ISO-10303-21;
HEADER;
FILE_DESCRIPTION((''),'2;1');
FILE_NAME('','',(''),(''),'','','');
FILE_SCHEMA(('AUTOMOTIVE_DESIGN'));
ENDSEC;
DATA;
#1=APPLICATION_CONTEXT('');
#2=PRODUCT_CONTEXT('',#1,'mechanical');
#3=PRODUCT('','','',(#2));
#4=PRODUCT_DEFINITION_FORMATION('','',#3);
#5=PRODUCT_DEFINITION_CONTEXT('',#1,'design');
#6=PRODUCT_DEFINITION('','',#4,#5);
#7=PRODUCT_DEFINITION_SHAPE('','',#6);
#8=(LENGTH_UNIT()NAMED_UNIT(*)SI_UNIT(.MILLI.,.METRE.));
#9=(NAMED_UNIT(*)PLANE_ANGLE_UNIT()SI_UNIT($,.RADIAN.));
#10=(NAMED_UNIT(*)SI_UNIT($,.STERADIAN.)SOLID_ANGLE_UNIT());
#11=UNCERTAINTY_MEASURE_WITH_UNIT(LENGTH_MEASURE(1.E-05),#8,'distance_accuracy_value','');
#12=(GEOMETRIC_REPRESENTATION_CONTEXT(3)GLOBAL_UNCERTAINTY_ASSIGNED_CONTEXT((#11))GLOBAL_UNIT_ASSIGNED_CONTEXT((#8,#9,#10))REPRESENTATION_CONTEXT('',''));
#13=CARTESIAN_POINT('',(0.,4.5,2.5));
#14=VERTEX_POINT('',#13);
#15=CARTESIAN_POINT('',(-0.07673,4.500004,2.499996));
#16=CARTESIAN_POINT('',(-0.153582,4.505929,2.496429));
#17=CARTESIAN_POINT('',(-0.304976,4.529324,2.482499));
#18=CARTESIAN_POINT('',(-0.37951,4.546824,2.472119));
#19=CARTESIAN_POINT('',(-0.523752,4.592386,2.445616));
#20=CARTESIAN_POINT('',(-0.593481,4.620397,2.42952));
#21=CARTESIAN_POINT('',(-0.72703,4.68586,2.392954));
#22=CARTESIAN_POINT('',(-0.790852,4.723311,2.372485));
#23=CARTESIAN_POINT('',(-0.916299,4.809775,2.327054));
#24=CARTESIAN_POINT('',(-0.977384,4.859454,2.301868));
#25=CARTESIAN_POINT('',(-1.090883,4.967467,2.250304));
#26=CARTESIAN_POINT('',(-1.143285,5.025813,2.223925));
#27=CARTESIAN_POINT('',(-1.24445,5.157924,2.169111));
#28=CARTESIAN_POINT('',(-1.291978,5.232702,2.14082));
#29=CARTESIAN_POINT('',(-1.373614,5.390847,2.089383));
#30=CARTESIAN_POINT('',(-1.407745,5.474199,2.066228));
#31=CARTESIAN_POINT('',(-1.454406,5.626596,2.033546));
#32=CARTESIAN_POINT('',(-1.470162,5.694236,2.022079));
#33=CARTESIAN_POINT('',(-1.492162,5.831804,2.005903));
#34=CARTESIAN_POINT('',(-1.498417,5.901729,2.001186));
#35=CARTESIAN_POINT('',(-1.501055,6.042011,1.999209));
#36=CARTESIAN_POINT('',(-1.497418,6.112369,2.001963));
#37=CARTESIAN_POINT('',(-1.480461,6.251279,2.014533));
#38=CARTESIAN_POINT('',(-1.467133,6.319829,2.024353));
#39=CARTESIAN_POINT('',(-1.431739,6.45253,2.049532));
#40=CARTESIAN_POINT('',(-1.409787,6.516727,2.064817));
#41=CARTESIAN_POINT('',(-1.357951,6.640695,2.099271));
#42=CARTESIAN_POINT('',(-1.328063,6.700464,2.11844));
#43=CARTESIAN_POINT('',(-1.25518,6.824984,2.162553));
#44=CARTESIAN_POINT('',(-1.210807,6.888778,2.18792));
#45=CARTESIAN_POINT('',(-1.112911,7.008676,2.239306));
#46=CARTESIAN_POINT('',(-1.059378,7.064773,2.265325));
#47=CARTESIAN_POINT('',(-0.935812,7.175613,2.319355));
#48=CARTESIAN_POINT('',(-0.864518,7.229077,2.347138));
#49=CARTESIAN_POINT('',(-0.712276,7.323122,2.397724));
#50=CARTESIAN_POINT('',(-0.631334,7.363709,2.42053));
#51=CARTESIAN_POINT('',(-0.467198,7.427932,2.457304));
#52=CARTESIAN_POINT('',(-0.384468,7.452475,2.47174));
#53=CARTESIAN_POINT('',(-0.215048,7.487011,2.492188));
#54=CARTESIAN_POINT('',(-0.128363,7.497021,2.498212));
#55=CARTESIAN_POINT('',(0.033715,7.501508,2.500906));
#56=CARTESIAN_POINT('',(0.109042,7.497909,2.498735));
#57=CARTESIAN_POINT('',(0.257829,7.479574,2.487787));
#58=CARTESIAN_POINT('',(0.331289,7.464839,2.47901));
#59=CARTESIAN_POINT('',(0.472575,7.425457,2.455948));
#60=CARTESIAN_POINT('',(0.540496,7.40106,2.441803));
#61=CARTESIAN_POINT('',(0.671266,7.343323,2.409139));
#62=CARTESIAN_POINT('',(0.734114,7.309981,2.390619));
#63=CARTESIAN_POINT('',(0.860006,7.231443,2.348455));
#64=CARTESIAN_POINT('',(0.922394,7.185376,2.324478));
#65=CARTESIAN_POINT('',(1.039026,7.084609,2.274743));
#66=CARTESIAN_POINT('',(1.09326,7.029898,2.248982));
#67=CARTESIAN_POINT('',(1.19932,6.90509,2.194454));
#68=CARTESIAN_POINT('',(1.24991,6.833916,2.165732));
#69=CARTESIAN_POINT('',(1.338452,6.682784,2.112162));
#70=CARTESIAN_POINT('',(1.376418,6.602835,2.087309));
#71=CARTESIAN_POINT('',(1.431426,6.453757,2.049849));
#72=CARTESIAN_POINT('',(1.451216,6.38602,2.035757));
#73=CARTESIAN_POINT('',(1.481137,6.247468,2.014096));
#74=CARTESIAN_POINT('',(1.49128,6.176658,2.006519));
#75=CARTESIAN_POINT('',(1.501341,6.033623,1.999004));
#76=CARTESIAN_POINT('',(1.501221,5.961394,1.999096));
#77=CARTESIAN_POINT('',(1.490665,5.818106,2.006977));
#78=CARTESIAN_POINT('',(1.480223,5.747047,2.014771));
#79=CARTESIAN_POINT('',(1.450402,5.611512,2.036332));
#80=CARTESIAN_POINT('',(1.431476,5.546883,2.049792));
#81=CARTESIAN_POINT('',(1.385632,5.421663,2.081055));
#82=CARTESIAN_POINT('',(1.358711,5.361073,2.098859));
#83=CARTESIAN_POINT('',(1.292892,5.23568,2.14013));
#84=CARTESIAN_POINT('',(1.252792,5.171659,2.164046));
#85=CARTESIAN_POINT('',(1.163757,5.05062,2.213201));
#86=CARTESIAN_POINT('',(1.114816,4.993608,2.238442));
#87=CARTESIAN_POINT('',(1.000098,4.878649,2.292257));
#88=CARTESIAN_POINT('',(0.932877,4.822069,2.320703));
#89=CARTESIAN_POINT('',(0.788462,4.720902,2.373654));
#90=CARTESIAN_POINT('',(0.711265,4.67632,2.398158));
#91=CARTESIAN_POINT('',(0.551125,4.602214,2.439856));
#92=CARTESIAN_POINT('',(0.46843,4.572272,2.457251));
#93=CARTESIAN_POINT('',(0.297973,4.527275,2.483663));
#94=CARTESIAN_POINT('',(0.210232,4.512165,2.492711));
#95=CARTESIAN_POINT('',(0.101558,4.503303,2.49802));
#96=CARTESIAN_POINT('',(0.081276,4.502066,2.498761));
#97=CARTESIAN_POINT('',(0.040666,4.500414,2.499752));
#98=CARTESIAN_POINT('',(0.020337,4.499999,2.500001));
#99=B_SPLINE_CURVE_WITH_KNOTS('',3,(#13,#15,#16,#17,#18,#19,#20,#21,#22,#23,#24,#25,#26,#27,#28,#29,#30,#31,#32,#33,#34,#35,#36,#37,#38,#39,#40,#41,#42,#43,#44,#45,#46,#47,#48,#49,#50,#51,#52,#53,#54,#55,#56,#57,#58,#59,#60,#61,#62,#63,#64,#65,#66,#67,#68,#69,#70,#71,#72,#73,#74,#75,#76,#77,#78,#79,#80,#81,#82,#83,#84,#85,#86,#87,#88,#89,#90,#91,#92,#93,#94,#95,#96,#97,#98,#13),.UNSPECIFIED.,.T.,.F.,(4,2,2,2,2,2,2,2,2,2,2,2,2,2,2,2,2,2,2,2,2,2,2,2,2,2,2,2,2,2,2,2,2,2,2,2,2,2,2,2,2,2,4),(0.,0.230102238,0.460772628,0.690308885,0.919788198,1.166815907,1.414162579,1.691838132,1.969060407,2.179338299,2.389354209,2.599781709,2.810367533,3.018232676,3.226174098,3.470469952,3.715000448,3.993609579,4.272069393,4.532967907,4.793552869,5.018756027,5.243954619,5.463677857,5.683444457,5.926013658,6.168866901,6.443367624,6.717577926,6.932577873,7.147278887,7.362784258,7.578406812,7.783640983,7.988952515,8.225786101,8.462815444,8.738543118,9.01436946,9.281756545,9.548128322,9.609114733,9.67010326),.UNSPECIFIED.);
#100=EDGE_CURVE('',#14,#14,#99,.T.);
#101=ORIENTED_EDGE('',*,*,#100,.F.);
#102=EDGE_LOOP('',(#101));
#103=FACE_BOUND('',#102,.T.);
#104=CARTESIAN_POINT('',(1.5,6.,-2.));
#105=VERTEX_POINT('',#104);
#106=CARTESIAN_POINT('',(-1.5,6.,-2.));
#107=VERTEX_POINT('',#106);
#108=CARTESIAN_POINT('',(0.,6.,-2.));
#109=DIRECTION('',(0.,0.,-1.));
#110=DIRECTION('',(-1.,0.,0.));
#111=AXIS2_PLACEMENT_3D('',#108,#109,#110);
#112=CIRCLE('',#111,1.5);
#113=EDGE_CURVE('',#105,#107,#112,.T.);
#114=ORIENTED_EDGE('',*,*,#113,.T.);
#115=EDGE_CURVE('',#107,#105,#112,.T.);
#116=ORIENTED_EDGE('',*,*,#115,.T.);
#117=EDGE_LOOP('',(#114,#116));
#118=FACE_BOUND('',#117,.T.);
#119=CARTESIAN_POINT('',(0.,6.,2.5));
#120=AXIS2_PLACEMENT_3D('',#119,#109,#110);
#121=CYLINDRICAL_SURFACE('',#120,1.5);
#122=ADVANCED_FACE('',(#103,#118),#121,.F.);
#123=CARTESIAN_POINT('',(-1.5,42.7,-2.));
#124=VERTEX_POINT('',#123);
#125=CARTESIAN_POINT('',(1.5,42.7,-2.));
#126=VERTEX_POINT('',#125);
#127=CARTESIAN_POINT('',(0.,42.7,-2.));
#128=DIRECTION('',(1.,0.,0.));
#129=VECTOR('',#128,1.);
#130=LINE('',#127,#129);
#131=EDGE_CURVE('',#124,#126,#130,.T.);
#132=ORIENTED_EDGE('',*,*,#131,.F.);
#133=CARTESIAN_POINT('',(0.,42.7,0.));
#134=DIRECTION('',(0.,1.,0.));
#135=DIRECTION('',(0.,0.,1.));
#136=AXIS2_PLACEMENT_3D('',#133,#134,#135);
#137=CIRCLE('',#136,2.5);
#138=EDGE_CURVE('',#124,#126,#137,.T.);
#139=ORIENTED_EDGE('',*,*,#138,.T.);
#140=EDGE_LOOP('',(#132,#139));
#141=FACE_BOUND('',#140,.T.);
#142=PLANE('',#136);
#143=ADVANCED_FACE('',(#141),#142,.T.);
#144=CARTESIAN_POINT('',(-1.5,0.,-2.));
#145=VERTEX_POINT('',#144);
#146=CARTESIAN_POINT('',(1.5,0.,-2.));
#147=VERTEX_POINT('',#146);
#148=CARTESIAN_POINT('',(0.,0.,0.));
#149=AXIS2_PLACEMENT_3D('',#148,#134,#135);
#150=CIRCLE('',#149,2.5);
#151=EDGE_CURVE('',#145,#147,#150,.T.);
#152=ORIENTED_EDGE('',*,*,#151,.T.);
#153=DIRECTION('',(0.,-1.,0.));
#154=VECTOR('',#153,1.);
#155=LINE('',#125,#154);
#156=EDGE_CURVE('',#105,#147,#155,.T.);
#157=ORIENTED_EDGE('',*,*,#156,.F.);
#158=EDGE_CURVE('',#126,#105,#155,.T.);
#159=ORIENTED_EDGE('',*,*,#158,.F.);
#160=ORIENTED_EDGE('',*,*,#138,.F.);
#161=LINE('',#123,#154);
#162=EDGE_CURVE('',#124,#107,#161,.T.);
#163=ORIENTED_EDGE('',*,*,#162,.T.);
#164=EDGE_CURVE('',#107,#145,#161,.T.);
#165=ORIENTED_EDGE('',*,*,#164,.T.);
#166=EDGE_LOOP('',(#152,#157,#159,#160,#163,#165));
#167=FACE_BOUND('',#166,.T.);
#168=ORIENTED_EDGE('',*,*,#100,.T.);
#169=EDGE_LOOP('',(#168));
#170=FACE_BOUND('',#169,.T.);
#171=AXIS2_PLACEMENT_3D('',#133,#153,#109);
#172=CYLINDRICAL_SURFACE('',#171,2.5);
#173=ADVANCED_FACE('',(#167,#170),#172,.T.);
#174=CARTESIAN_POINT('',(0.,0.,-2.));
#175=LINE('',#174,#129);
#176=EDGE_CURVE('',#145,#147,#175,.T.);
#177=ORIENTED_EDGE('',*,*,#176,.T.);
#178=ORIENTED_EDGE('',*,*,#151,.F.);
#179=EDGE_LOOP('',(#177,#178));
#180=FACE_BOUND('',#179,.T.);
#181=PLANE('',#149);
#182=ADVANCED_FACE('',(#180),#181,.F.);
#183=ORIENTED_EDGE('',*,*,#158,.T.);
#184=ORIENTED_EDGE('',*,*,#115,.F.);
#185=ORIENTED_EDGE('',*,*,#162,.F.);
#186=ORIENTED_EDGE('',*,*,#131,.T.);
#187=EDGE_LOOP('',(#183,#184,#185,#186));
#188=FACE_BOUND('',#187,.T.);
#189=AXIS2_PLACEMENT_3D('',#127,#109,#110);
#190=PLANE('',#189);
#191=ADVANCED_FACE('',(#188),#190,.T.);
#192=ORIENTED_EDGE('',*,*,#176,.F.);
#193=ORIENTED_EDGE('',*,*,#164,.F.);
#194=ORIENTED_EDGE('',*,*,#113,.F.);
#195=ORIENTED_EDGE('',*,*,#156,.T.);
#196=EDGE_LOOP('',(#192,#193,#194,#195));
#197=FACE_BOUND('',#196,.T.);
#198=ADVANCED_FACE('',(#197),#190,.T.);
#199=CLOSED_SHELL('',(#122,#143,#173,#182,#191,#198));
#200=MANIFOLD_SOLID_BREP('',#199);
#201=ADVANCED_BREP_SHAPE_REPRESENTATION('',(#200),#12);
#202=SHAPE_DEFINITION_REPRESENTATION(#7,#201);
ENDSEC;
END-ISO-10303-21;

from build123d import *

# Parameters (mm, degrees)
BOSS_EXTRUDE1_DEPTH     = 42.7
CUT_EXTRUDE1_DEPTH      = 44.009185066
CUT_EXTRUDE1_DEPTH_BACK = 44.009185066
SKETCH2_R               = 1.5


with BuildPart() as part:
    # Sketch1 → Boss-Extrude1 (new body)
    with BuildSketch(Plane(origin=(0, 0, 0), x_dir=(1, 0, 0), z_dir=(0, 1, 0))):
        with BuildLine():
            Line((1.5, 2), (-1.5, 2))
            ThreePointArc((-1.5, 2), (-1.118033989, -2.236067977), (2.5, 0))
            ThreePointArc((2.5, 0), (2.236067977, 1.118033989), (1.5, 2))
        make_face()
    extrude(amount=BOSS_EXTRUDE1_DEPTH)

    # Sketch2 → Cut-Extrude1 (cut, two sides: drawn at the far end of the back side and taken through both)
    with BuildSketch(Plane(origin=(0, 0, -2), x_dir=(-1, 0, 0), z_dir=(0, 0, -1)).offset(-CUT_EXTRUDE1_DEPTH_BACK)):
        with Locations((0, 6)):
            Circle(SKETCH2_R)
    extrude(amount=CUT_EXTRUDE1_DEPTH + CUT_EXTRUDE1_DEPTH_BACK, mode=Mode.SUBTRACT)


solid = part.part
